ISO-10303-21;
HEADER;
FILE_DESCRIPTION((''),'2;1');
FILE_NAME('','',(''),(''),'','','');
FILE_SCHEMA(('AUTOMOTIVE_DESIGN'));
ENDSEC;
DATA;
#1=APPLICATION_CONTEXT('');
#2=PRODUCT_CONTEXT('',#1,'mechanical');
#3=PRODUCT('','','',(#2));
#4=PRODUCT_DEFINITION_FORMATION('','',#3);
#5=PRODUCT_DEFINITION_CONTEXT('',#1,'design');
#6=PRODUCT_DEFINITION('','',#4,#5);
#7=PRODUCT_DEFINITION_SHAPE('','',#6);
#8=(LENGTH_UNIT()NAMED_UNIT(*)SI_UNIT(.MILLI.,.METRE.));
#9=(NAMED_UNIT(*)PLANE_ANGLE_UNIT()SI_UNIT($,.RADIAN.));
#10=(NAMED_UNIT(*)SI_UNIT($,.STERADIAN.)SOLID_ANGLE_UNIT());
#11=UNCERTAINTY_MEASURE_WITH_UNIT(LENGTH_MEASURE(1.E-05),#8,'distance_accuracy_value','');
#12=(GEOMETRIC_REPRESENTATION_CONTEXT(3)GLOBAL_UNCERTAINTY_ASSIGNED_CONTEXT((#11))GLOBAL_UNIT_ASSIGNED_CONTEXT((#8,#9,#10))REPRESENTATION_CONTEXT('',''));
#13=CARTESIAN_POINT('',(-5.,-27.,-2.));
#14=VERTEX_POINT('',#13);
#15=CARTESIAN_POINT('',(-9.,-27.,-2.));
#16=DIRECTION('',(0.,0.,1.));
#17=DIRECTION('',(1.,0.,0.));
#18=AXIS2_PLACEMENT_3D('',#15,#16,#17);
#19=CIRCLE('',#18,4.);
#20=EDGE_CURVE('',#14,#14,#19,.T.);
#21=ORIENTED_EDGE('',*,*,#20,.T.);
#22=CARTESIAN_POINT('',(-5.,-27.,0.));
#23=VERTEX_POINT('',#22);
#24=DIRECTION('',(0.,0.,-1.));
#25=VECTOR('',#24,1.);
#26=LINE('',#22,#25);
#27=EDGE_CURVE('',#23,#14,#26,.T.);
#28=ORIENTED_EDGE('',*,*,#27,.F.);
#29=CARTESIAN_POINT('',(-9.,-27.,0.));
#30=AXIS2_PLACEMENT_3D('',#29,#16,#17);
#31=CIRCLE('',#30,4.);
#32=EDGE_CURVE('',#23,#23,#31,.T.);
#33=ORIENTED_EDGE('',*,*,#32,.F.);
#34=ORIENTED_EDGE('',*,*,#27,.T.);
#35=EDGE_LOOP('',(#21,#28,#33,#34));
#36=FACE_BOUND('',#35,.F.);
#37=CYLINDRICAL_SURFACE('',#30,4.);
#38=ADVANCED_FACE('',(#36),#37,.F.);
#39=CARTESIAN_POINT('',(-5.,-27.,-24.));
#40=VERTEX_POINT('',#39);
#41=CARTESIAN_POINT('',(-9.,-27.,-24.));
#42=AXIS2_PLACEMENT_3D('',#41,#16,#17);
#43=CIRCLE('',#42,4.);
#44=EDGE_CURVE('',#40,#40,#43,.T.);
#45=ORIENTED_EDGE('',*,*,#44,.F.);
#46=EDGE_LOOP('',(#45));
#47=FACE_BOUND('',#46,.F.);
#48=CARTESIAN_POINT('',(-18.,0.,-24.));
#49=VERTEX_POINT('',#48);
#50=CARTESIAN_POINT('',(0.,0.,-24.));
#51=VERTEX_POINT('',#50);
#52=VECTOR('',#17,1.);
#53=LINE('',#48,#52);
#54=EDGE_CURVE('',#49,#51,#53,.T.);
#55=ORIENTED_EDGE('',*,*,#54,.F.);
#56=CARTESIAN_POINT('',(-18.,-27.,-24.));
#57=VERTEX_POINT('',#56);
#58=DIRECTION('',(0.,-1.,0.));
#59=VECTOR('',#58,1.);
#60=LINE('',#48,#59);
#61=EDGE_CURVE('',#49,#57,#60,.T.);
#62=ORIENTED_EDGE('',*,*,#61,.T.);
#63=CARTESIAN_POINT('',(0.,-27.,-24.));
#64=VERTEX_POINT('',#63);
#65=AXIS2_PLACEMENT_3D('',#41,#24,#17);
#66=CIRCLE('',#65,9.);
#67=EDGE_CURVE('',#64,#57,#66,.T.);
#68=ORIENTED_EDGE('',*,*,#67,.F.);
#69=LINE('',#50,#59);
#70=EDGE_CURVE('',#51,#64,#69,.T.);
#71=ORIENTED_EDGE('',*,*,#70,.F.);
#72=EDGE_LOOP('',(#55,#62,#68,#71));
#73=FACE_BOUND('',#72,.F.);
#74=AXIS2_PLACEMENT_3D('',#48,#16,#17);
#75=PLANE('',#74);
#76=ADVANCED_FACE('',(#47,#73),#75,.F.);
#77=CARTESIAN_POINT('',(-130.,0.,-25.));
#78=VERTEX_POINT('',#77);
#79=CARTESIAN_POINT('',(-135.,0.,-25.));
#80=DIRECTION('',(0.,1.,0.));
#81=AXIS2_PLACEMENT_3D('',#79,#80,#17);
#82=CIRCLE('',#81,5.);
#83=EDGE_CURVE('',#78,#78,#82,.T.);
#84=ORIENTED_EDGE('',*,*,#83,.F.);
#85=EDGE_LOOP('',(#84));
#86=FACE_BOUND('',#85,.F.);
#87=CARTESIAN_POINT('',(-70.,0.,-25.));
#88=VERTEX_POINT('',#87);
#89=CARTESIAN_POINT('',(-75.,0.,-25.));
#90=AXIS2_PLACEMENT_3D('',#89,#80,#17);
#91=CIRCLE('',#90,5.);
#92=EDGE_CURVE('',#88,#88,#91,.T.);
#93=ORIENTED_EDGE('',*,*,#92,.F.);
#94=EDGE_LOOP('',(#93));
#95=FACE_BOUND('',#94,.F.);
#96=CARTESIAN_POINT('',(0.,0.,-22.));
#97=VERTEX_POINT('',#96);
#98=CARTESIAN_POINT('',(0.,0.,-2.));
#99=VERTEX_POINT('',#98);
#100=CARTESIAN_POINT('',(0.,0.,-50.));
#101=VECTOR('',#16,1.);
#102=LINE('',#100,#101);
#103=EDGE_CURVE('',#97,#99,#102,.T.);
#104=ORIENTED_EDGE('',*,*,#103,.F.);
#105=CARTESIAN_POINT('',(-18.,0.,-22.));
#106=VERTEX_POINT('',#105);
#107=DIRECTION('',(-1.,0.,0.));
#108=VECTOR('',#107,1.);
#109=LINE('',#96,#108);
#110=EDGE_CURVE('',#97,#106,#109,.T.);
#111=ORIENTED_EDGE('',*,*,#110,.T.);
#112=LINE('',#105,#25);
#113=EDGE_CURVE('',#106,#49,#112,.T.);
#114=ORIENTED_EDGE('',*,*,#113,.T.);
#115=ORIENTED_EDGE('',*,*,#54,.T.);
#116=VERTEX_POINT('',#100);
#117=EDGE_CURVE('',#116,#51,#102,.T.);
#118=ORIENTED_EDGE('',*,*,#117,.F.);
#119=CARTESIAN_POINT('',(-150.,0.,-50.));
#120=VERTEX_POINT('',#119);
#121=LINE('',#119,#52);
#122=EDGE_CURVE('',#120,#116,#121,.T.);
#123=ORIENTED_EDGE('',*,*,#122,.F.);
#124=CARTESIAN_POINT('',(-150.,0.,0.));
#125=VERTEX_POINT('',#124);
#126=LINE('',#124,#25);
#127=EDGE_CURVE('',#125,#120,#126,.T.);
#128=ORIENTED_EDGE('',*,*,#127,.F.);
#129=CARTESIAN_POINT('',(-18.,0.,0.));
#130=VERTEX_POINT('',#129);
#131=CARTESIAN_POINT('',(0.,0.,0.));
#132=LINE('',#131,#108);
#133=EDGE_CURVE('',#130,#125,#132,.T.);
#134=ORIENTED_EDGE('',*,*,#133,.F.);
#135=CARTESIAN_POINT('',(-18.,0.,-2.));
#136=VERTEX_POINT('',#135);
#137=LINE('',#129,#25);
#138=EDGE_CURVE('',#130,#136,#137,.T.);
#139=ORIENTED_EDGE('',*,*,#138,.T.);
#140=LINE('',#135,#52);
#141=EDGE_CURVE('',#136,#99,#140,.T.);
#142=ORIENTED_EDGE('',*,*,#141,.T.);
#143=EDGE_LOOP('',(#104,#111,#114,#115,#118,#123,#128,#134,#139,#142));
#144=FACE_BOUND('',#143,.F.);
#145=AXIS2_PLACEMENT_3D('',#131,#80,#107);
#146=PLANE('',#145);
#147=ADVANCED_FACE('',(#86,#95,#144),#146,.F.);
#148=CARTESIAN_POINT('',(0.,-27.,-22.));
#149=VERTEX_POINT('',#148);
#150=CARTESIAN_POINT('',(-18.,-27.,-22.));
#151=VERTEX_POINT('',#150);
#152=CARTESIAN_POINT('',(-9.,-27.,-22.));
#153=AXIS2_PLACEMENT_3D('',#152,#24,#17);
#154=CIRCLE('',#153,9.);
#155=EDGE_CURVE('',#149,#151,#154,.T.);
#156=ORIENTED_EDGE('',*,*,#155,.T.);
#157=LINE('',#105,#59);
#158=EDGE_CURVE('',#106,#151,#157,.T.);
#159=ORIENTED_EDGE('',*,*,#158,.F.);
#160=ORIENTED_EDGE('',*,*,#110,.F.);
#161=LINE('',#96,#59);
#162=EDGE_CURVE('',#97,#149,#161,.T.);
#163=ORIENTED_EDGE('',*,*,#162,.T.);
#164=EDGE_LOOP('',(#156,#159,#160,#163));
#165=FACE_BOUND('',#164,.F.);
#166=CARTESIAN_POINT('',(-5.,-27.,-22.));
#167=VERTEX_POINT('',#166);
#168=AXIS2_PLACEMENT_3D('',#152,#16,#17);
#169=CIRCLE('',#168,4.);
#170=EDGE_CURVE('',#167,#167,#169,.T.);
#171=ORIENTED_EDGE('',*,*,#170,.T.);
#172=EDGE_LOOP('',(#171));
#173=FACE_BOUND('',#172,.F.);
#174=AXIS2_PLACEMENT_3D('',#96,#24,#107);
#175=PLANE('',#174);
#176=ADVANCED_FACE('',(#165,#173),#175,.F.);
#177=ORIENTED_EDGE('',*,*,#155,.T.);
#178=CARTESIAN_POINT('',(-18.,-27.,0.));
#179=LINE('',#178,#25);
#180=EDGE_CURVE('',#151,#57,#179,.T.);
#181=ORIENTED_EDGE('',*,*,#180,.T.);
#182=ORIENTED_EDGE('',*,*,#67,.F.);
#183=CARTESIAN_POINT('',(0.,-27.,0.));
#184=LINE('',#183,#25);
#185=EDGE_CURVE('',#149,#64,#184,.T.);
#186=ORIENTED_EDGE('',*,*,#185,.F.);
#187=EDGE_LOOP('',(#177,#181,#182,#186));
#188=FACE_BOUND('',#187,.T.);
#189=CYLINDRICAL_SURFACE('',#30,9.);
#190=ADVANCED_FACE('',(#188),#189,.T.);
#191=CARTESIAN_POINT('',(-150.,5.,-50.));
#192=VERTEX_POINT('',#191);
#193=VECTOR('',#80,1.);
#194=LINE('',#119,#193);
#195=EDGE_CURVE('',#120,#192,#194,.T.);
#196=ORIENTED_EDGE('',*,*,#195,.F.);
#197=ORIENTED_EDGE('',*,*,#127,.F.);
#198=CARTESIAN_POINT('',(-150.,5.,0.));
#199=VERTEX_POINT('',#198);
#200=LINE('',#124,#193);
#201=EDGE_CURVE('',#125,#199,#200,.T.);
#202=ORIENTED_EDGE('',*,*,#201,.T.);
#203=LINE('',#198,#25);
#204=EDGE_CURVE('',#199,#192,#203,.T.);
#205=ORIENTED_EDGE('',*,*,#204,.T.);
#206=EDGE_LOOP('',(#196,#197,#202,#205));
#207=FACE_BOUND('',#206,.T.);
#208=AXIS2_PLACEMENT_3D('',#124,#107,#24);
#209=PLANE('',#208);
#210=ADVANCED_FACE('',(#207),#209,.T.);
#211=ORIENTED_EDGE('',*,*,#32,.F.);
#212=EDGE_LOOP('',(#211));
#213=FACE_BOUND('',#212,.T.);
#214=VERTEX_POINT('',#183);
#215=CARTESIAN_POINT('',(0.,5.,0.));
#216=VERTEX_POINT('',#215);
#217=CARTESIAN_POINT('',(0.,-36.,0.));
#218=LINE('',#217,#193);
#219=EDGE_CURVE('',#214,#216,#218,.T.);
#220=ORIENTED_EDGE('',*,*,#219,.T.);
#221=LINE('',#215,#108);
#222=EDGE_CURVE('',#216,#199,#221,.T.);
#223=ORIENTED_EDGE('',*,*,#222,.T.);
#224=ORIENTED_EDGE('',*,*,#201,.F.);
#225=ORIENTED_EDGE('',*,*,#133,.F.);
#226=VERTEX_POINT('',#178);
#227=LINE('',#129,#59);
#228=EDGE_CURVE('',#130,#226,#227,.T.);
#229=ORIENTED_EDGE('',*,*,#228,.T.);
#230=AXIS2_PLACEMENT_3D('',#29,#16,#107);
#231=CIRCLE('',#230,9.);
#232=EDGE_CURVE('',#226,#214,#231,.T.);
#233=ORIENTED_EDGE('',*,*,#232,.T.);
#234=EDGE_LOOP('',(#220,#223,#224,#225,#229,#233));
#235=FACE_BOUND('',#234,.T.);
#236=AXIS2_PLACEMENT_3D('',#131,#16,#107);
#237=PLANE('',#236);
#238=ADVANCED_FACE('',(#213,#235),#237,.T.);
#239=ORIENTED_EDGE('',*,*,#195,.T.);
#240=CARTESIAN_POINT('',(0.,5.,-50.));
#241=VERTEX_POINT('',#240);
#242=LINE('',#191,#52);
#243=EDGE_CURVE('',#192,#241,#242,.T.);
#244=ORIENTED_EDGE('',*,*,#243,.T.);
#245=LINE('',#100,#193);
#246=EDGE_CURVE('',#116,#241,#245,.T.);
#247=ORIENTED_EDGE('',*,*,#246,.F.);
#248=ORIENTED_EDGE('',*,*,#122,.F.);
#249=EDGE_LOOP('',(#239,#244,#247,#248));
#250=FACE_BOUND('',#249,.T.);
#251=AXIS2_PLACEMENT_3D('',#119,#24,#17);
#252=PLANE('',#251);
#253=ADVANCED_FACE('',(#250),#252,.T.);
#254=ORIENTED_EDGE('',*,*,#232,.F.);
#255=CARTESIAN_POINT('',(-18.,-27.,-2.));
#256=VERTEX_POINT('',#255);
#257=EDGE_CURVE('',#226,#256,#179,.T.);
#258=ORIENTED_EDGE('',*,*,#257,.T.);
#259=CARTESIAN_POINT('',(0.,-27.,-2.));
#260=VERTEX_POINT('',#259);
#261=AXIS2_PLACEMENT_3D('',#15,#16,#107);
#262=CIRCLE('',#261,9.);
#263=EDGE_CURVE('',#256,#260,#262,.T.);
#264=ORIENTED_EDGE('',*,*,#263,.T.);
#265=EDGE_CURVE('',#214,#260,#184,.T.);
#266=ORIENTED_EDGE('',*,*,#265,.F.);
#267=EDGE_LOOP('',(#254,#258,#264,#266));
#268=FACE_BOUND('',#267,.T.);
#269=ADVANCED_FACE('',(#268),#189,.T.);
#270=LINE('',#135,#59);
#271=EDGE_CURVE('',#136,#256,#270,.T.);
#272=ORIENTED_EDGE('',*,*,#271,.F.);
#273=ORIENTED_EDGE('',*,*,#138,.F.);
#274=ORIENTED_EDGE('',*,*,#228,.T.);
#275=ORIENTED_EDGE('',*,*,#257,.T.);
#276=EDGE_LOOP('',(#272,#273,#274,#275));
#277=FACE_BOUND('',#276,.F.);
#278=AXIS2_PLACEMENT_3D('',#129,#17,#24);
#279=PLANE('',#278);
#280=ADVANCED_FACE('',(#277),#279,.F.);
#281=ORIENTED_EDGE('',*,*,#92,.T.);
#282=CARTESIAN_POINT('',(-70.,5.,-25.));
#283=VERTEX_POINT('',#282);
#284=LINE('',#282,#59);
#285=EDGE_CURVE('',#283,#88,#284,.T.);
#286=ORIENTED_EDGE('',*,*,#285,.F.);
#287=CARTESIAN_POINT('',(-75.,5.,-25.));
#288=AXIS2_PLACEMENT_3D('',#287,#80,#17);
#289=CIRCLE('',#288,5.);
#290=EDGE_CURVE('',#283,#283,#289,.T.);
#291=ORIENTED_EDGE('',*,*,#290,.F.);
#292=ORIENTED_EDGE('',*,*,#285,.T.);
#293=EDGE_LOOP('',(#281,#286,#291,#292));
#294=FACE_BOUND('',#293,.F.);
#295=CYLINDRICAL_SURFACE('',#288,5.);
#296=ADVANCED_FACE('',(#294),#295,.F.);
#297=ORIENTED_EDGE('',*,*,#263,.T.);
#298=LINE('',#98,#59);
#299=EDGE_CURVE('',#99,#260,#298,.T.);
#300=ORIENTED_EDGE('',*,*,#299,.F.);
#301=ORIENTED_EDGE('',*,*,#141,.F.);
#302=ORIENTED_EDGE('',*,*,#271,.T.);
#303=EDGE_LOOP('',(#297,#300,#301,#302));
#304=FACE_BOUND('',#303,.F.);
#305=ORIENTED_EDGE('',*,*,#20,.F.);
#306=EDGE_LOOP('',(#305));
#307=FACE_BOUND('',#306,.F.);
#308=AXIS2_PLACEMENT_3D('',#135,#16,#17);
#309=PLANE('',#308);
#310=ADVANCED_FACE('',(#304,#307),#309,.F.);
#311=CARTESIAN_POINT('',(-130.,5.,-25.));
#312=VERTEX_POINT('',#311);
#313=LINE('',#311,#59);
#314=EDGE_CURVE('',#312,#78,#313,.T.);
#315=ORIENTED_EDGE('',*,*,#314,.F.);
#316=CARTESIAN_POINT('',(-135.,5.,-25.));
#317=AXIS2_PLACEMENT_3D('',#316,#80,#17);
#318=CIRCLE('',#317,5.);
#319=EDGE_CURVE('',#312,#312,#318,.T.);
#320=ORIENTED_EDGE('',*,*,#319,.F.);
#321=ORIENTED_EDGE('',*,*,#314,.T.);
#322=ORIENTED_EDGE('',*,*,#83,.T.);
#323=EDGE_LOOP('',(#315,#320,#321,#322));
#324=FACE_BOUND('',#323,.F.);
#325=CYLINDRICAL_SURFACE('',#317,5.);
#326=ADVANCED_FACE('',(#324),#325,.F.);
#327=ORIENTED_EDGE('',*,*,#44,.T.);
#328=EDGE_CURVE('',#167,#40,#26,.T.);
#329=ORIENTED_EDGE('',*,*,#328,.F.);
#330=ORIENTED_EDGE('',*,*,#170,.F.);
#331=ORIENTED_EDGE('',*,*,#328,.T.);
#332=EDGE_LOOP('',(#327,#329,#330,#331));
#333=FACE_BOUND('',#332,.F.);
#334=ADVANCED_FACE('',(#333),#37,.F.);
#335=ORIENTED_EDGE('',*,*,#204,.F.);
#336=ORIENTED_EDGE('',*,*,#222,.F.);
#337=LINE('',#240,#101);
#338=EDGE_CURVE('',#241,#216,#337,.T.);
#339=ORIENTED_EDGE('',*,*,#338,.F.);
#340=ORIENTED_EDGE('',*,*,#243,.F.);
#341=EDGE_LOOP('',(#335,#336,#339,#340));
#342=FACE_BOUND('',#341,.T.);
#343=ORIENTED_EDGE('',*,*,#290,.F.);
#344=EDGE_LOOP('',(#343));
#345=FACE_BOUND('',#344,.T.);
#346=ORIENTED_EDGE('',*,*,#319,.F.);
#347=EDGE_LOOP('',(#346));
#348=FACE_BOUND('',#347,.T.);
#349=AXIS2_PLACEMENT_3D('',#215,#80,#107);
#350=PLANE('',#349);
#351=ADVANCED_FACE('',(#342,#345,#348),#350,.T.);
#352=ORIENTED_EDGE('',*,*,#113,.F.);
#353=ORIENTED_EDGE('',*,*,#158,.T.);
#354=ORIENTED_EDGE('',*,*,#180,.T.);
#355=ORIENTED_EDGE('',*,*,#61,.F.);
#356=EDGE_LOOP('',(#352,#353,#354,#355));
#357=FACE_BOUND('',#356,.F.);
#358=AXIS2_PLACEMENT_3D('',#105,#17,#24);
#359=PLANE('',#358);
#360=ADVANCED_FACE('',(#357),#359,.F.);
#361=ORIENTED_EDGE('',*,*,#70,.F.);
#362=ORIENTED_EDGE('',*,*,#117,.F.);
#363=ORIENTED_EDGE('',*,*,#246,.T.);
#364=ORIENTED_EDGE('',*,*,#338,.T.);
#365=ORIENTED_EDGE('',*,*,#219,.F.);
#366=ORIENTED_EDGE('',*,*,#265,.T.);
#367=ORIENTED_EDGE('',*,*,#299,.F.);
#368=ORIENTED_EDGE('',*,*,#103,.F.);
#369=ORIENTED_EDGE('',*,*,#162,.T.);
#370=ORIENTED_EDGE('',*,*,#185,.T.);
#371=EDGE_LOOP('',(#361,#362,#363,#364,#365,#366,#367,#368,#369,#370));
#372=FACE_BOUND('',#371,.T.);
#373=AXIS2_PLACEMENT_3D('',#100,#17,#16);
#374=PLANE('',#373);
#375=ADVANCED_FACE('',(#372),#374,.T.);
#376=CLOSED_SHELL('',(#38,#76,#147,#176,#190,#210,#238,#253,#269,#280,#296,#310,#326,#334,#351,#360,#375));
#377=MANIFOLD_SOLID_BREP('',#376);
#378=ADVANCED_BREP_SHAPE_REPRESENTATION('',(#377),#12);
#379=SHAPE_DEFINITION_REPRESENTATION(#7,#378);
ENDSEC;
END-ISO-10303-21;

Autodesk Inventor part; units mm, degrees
ref_plane "YZ Plane" through (0, 0, 0) normal (1, 0, 0) x (0, 1, 0)
ref_plane "XZ Plane" through (0, 0, 0) normal (0, 1, 0) x (-1, 0, 0)
ref_plane "XY Plane" through (0, 0, 0) normal (0, 0, 1) x (1, 0, 0)
sketch "Sketch1" plane through (0, 0, 0) normal (0, 1, 0) x (-1, 0, 0)
  line L0 (0, 0) -> (150, 0)
  line L1 (150, 0) -> (150, -50)
  line L2 (150, -50) -> (0, -50)
  line L3 (0, -50) -> (0, 0)
  dimension "d0" = 150
  dimension "d1" = 50
extrude "Extrusion1" add sketch "Sketch1" along normal blind 5
sketch "Sketch2" plane through (0, 5, 0) normal (0, 1, 0) x (1, 0, 0)
  circle A0 centre (-135, 25) radius 5
  line L0 (-150, 0) -> (0, 0) projected
  line L1 (-150, 50) -> (-150, 0) projected
  circle A1 centre (-75, 25) radius 5
  dimension "d4" = 10
  dimension "d5" = 25
  dimension "d6" = 15
  dimension "d7" = 10
  dimension "d8" = 25
  dimension "d9" = 60
extrude "Extrusion2" cut sketch "Sketch2" against normal blind 5
sketch "Sketch4" plane through (0, 0, 0) normal (0, -1, 0) x (1, 0, 0)
  line L0 (0, 0) -> (0, -50) projected
  line L1 (0, 0) -> (-18, 0)
  line L2 (-18, 0) -> (-18, -2)
  line L3 (-18, -2) -> (0, -2)
  line L4 (0, -2) -> (0, 0)
  line L5 (0, -22) -> (-18, -22)
  line L6 (-18, -22) -> (-18, -24)
  line L7 (-18, -24) -> (0, -24)
  line L8 (0, -24) -> (0, -22)
  dimension "d17" = 18
  dimension "d18" = 2
  dimension "d19" = 18
  dimension "d20" = 2
  dimension "d21" = 20
extrude "Extrusion4" add sketch "Sketch4" along normal blind 36
sketch "Sketch5" plane through (-150, 5, 0) normal (0, 0, 1) x (1, 0, 0)
  circle A0 centre (141, -32) radius 9
  line L0 (150, -41) -> (150, 0) projected
  line L1 (150, -41) -> (132, -41) projected
  line L2 (150, -32) -> (150, -41)
  line L3 (132, -41) -> (132, -32)
  line L4 (132, -5) -> (132, -41) projected
  line L5 (132, -41) -> (150, -41)
  circle A1 centre (141, -32) radius 4
  point P0 (150, -5)
  dimension "d24" = 18
  dimension "d25" = 9
  dimension "d26" = 9
  dimension "d27" = 8
extrude "Extrusion5" cut sketch "Sketch5" against normal blind 36 contours L0 L1 A0 | A0 L1 L3 | A1
properties part number "Giá đỡ ròng rọc 2"
